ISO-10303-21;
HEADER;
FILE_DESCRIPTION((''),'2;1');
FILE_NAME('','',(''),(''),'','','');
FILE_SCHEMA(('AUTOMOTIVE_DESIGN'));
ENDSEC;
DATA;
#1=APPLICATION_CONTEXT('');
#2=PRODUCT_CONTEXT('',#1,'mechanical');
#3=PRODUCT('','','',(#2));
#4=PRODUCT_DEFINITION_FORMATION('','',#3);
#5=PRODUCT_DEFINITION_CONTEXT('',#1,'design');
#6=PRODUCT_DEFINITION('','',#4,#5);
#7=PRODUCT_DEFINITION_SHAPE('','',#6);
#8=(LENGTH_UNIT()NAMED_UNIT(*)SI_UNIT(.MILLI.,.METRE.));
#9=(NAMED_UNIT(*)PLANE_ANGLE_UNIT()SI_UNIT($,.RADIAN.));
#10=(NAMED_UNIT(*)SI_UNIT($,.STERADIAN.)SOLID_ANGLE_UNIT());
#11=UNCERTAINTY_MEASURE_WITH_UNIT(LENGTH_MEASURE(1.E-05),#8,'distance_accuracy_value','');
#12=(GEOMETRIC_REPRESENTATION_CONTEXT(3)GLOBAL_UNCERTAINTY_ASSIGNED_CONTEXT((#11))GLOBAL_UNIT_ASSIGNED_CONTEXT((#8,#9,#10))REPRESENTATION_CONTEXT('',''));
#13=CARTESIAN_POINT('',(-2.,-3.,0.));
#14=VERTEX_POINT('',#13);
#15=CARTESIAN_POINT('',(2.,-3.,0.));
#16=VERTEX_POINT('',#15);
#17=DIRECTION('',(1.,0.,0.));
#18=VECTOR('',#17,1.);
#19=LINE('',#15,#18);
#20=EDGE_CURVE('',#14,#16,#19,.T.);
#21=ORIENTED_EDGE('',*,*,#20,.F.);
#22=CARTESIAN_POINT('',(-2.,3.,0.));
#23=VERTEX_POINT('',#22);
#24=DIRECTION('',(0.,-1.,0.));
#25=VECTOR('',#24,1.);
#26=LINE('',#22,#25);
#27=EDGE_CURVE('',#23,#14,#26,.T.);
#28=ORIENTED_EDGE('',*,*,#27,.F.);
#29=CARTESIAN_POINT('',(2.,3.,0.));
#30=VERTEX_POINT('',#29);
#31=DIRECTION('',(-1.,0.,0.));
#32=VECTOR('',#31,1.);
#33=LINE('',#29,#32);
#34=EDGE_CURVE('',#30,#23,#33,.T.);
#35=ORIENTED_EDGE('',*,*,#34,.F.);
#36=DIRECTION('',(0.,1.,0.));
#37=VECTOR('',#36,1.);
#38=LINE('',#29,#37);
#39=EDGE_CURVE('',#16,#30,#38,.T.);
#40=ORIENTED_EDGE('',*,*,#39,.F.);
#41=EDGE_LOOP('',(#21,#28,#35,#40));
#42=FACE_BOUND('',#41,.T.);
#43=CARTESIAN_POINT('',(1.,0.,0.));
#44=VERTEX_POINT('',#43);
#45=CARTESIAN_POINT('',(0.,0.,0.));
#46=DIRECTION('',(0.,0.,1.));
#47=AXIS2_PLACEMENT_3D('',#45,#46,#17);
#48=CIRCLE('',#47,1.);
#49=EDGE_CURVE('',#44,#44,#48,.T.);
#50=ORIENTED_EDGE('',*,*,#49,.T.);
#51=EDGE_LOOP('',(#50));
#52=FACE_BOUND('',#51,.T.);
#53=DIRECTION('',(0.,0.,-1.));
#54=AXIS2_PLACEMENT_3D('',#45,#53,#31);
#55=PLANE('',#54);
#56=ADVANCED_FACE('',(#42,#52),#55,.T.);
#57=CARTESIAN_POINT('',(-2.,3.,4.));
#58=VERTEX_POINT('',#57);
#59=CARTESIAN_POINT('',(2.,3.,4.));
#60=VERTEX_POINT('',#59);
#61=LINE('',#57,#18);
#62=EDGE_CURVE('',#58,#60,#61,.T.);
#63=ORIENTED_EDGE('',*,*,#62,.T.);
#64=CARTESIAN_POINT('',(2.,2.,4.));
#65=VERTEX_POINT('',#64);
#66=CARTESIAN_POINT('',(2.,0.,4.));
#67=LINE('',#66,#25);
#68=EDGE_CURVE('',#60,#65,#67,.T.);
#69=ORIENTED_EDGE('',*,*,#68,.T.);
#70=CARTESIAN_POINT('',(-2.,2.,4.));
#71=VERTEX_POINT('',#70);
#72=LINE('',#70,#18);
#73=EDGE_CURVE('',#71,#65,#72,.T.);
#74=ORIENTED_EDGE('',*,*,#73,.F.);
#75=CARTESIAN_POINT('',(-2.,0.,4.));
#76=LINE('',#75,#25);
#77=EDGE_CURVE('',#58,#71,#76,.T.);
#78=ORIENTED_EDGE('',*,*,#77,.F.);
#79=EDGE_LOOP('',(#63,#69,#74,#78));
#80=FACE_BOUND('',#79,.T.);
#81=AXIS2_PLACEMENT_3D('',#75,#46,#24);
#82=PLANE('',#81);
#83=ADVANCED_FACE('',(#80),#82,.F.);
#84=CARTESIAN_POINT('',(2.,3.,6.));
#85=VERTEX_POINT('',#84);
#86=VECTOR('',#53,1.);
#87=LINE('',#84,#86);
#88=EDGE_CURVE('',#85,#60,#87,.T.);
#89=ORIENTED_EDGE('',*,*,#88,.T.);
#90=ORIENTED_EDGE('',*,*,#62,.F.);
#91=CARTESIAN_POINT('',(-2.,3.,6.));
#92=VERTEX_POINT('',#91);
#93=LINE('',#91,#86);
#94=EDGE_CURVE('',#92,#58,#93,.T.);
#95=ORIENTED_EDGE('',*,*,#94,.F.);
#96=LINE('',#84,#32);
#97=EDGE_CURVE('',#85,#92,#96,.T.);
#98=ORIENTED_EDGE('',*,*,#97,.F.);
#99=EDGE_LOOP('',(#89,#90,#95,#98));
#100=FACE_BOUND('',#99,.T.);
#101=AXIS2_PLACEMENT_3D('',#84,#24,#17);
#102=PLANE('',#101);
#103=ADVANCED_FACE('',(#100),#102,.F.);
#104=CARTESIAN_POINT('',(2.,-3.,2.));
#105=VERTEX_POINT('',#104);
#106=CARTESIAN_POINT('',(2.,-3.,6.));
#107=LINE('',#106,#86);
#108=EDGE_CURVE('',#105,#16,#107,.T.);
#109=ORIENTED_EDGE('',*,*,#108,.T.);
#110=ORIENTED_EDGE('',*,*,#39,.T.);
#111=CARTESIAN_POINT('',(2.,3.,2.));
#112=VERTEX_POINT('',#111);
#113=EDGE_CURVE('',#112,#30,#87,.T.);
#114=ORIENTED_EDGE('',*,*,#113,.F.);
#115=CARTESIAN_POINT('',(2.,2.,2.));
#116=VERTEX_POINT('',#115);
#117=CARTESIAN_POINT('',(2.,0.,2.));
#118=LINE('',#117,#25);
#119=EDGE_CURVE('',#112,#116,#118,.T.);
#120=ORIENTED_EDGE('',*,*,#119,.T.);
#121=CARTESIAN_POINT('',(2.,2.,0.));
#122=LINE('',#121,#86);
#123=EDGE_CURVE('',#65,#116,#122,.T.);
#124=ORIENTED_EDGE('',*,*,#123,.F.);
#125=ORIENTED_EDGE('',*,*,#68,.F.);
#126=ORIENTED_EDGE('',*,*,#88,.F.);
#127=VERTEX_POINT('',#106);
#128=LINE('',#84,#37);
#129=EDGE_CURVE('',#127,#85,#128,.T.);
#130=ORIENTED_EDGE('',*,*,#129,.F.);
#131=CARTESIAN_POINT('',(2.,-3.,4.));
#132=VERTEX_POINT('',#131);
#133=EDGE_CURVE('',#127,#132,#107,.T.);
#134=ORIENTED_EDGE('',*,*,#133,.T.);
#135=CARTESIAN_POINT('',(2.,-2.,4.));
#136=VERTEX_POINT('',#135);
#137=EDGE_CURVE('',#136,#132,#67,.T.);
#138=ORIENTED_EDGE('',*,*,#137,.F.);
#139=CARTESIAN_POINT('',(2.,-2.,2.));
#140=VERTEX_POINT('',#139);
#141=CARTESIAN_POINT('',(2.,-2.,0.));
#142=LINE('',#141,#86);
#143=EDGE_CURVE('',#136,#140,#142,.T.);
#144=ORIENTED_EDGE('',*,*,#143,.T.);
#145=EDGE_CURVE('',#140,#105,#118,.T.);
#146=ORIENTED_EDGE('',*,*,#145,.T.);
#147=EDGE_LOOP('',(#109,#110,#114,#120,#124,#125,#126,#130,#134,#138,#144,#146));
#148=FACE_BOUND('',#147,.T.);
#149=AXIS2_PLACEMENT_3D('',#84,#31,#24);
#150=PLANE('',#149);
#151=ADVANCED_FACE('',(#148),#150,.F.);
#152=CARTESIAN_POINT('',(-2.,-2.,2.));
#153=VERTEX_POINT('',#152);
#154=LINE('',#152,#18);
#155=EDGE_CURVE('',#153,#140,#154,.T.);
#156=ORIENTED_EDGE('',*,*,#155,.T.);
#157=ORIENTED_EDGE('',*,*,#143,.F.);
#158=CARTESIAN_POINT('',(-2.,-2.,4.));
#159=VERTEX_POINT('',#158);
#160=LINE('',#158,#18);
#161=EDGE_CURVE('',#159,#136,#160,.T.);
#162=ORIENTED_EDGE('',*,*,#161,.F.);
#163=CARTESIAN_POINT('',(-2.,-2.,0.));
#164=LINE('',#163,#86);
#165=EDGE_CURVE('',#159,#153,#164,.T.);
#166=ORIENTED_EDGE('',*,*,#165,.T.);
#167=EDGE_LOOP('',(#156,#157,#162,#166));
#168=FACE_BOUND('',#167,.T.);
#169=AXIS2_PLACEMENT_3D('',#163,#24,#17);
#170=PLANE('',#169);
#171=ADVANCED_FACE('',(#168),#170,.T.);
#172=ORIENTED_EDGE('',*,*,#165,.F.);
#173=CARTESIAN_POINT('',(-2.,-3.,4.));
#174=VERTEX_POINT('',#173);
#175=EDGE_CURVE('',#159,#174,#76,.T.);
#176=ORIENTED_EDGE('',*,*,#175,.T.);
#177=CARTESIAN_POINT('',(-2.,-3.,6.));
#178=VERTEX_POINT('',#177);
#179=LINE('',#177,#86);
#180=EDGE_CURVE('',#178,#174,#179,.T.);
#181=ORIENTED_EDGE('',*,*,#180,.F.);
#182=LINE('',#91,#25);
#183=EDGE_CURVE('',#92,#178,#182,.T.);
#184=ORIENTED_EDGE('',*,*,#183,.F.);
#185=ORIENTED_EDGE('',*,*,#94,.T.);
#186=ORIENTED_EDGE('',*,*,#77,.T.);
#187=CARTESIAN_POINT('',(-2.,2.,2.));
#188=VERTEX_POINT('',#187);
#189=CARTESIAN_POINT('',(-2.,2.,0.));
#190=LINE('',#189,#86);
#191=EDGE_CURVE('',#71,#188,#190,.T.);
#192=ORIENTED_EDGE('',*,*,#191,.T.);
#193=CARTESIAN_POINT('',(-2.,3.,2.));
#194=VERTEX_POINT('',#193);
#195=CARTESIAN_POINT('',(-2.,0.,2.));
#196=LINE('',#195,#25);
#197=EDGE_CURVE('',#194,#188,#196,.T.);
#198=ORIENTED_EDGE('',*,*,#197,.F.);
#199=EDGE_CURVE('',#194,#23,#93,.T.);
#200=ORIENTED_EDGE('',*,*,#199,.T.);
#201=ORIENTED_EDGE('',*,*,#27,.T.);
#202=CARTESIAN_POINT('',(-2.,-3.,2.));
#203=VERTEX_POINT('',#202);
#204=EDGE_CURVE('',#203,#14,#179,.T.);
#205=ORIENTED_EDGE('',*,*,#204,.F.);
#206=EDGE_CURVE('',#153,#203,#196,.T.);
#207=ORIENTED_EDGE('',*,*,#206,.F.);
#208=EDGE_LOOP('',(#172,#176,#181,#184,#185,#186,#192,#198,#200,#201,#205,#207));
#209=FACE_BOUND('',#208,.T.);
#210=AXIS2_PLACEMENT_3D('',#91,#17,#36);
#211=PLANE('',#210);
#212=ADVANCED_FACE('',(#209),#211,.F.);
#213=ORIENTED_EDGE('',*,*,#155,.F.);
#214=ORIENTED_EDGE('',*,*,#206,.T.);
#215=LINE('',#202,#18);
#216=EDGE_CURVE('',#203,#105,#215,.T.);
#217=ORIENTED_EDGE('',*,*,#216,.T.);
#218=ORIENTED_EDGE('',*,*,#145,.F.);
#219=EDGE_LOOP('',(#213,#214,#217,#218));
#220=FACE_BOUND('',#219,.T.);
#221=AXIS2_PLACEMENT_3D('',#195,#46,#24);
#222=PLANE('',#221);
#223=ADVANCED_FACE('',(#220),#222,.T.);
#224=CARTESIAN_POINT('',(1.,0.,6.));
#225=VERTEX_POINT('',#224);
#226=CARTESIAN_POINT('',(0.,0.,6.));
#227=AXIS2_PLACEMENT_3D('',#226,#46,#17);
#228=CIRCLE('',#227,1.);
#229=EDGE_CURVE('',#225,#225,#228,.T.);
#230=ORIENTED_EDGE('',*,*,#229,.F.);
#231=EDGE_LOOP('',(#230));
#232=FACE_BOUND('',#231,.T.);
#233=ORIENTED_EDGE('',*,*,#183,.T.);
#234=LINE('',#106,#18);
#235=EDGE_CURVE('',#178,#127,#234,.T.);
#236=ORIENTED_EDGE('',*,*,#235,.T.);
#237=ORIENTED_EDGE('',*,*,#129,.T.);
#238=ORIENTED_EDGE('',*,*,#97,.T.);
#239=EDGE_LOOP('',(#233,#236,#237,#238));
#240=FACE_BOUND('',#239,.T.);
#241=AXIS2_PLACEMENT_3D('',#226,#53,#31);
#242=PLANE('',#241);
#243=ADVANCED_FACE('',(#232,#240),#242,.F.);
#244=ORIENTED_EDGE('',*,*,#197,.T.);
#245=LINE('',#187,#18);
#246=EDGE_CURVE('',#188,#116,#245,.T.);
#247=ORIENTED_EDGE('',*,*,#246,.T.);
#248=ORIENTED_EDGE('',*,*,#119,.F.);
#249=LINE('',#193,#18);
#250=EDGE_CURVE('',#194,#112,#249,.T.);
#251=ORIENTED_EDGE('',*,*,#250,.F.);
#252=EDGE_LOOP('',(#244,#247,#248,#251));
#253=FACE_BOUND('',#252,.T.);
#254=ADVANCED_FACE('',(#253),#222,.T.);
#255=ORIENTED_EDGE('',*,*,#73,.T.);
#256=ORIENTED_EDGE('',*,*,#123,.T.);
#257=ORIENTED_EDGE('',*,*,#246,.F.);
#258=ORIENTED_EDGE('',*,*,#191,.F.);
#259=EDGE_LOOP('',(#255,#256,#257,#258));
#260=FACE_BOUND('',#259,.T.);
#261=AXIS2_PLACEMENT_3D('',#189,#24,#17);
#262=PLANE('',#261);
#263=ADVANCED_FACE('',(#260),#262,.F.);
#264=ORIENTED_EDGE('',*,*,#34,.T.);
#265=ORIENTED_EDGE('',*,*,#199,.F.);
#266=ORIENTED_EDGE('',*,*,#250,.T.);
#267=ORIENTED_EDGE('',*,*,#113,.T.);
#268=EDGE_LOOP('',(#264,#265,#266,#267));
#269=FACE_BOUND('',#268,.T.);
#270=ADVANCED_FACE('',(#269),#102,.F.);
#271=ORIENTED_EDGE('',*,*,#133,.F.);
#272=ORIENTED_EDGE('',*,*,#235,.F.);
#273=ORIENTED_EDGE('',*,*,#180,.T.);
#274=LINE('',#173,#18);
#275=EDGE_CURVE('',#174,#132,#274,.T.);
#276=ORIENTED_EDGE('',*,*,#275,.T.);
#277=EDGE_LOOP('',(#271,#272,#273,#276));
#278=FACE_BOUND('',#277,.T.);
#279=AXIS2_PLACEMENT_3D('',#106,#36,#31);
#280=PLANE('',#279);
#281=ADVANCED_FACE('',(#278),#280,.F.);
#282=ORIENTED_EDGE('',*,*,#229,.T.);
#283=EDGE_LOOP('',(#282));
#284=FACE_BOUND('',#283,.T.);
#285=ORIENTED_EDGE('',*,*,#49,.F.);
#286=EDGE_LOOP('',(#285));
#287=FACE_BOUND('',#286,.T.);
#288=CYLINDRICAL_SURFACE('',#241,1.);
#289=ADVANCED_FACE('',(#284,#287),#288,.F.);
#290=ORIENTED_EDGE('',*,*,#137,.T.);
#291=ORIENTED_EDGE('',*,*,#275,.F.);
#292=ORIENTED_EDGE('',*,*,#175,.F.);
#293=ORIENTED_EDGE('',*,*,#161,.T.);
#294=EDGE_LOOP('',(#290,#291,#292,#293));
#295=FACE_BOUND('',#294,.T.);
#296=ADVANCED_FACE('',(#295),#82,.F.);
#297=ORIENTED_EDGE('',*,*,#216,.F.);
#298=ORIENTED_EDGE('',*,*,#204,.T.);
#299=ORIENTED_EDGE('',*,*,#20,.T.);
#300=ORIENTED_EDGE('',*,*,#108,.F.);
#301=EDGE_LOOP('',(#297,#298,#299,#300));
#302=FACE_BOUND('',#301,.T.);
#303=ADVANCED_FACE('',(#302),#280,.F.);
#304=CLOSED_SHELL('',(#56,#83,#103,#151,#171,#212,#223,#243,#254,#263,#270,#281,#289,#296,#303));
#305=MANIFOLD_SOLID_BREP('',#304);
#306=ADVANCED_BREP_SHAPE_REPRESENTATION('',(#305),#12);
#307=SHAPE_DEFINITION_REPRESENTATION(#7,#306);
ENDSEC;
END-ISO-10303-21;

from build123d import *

# Parameters (mm, degrees)
SKETCH_1_W          = 4
SKETCH_1_H          = 6
SKETCH_1_R          = 1
EXTRUDE_1_DEPTH     = 6
SKETCH_2_W          = 2
SKETCH_2_H          = 1
CUT_EXTRUDE_1_DEPTH = 8.810249676


with BuildPart() as part:
    # 草图1 → 凸台-拉伸1 (new body)
    with BuildSketch(Plane.XY):
        Rectangle(SKETCH_1_W, SKETCH_1_H)
        Circle(SKETCH_1_R, mode=Mode.SUBTRACT)
    extrude(amount=EXTRUDE_1_DEPTH)

    # 草图2 → 切除-拉伸1 (cut, through all)
    with BuildSketch(Plane(origin=(2, 0, 0), x_dir=(0, 0, -1), z_dir=(1, 0, 0))):
        with Locations((-3, 2.5)):
            Rectangle(SKETCH_2_W, SKETCH_2_H)
        with Locations((-3, -2.5)):
            Rectangle(SKETCH_2_W, SKETCH_2_H)
    extrude(amount=-CUT_EXTRUDE_1_DEPTH, mode=Mode.SUBTRACT)


solid = part.part
